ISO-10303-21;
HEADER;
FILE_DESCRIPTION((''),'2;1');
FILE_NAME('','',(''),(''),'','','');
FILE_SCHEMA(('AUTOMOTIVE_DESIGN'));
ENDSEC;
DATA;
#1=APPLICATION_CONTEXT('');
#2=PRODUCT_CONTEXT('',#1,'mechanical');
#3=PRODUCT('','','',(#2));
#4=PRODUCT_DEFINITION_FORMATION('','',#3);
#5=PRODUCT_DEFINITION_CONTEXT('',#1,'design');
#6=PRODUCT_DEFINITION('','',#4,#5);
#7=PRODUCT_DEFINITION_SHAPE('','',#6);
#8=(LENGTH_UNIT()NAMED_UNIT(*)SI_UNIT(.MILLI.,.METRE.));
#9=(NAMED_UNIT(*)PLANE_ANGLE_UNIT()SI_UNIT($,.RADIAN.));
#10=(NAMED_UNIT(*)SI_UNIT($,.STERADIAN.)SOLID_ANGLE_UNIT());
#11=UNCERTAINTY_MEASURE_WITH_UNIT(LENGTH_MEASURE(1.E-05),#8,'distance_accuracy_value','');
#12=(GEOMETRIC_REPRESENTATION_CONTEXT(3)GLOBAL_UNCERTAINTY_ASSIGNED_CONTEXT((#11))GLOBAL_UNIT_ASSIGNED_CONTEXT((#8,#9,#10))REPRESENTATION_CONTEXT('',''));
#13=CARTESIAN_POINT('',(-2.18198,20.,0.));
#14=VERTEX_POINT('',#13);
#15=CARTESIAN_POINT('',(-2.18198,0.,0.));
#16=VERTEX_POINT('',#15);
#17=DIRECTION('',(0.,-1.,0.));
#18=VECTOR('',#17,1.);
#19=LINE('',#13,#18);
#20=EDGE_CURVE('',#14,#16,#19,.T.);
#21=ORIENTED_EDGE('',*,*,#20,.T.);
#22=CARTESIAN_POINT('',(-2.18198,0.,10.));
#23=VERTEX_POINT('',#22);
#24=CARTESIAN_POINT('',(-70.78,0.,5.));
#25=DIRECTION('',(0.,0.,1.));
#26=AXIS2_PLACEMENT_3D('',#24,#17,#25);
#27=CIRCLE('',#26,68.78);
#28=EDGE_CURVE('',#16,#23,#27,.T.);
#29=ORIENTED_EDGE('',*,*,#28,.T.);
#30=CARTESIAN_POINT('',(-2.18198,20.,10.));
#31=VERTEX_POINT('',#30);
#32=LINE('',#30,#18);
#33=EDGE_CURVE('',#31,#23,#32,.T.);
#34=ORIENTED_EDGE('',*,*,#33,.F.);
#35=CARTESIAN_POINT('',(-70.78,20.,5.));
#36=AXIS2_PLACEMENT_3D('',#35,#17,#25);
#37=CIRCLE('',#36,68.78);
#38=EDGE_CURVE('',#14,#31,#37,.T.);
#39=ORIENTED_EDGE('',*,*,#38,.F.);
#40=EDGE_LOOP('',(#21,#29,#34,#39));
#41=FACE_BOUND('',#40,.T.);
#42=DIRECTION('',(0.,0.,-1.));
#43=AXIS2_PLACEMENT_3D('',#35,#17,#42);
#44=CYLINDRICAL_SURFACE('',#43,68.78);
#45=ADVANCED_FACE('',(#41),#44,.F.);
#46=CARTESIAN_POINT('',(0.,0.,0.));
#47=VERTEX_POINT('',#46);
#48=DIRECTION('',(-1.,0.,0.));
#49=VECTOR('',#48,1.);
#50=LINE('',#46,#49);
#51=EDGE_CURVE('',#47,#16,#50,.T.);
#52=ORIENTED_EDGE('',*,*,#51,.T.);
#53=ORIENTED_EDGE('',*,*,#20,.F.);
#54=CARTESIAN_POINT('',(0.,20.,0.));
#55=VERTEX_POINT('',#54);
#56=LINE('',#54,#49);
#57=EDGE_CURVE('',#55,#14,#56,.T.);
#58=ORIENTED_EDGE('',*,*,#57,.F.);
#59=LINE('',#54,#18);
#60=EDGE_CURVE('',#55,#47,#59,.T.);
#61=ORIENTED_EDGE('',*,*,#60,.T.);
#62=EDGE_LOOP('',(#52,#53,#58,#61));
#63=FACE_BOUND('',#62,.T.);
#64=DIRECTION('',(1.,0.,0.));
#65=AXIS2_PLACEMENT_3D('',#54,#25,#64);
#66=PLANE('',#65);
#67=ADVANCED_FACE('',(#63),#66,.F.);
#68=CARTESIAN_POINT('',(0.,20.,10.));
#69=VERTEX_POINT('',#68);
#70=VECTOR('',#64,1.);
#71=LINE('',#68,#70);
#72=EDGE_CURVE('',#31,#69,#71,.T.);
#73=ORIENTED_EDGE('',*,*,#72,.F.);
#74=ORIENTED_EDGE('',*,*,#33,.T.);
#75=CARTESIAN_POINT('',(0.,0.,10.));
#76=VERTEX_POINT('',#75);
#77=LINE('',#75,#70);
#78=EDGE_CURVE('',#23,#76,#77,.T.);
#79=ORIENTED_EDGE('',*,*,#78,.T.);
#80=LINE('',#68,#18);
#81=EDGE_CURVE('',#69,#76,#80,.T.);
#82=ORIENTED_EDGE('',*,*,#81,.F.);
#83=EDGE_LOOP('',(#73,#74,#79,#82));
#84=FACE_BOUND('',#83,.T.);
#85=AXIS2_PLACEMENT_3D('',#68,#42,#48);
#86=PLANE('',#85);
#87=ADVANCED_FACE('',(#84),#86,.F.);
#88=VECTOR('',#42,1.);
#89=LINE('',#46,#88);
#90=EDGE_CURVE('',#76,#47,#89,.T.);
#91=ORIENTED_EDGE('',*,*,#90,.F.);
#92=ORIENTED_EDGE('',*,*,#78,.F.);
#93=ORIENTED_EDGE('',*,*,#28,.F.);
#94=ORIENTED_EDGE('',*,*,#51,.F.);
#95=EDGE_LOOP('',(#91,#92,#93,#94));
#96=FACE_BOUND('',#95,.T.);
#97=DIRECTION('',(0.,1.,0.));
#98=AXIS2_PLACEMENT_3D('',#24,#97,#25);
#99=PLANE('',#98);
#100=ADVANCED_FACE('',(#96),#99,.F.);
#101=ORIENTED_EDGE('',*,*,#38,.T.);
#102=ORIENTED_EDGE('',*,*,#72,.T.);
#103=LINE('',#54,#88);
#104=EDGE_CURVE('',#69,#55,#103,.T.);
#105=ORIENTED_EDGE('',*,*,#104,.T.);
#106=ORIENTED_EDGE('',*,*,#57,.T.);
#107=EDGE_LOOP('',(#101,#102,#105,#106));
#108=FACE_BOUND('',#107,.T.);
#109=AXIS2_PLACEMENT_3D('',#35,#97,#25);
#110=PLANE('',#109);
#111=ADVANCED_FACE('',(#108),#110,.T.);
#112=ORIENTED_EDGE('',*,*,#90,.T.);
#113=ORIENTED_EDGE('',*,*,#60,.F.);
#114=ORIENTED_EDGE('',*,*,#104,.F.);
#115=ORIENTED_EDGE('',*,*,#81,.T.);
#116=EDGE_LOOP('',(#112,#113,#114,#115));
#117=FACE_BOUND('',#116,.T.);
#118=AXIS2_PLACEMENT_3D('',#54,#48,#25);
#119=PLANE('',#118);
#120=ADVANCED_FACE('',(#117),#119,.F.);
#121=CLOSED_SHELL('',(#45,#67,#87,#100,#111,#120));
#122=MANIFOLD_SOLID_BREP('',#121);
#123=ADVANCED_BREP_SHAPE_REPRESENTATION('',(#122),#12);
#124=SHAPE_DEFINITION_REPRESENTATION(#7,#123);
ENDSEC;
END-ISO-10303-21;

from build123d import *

# Parameters (mm, degrees)
EXTRUDE_1_DEPTH = 20


with BuildPart() as part:
    # 草图1 → 凸台-拉伸1 (new body)
    with BuildSketch(Plane(origin=(0, 0, 0), x_dir=(1, 0, 0), z_dir=(0, 1, 0))):
        with BuildLine():
            Line((0, 0), (0, -10))
            Line((0, -10), (-2.18197962, -10))
            ThreePointArc((-2.18197962, -10), (-2, -5), (-2.18197962, 0))
            Line((-2.18197962, 0), (0, 0))
        make_face()
    extrude(amount=EXTRUDE_1_DEPTH)


solid = part.part
